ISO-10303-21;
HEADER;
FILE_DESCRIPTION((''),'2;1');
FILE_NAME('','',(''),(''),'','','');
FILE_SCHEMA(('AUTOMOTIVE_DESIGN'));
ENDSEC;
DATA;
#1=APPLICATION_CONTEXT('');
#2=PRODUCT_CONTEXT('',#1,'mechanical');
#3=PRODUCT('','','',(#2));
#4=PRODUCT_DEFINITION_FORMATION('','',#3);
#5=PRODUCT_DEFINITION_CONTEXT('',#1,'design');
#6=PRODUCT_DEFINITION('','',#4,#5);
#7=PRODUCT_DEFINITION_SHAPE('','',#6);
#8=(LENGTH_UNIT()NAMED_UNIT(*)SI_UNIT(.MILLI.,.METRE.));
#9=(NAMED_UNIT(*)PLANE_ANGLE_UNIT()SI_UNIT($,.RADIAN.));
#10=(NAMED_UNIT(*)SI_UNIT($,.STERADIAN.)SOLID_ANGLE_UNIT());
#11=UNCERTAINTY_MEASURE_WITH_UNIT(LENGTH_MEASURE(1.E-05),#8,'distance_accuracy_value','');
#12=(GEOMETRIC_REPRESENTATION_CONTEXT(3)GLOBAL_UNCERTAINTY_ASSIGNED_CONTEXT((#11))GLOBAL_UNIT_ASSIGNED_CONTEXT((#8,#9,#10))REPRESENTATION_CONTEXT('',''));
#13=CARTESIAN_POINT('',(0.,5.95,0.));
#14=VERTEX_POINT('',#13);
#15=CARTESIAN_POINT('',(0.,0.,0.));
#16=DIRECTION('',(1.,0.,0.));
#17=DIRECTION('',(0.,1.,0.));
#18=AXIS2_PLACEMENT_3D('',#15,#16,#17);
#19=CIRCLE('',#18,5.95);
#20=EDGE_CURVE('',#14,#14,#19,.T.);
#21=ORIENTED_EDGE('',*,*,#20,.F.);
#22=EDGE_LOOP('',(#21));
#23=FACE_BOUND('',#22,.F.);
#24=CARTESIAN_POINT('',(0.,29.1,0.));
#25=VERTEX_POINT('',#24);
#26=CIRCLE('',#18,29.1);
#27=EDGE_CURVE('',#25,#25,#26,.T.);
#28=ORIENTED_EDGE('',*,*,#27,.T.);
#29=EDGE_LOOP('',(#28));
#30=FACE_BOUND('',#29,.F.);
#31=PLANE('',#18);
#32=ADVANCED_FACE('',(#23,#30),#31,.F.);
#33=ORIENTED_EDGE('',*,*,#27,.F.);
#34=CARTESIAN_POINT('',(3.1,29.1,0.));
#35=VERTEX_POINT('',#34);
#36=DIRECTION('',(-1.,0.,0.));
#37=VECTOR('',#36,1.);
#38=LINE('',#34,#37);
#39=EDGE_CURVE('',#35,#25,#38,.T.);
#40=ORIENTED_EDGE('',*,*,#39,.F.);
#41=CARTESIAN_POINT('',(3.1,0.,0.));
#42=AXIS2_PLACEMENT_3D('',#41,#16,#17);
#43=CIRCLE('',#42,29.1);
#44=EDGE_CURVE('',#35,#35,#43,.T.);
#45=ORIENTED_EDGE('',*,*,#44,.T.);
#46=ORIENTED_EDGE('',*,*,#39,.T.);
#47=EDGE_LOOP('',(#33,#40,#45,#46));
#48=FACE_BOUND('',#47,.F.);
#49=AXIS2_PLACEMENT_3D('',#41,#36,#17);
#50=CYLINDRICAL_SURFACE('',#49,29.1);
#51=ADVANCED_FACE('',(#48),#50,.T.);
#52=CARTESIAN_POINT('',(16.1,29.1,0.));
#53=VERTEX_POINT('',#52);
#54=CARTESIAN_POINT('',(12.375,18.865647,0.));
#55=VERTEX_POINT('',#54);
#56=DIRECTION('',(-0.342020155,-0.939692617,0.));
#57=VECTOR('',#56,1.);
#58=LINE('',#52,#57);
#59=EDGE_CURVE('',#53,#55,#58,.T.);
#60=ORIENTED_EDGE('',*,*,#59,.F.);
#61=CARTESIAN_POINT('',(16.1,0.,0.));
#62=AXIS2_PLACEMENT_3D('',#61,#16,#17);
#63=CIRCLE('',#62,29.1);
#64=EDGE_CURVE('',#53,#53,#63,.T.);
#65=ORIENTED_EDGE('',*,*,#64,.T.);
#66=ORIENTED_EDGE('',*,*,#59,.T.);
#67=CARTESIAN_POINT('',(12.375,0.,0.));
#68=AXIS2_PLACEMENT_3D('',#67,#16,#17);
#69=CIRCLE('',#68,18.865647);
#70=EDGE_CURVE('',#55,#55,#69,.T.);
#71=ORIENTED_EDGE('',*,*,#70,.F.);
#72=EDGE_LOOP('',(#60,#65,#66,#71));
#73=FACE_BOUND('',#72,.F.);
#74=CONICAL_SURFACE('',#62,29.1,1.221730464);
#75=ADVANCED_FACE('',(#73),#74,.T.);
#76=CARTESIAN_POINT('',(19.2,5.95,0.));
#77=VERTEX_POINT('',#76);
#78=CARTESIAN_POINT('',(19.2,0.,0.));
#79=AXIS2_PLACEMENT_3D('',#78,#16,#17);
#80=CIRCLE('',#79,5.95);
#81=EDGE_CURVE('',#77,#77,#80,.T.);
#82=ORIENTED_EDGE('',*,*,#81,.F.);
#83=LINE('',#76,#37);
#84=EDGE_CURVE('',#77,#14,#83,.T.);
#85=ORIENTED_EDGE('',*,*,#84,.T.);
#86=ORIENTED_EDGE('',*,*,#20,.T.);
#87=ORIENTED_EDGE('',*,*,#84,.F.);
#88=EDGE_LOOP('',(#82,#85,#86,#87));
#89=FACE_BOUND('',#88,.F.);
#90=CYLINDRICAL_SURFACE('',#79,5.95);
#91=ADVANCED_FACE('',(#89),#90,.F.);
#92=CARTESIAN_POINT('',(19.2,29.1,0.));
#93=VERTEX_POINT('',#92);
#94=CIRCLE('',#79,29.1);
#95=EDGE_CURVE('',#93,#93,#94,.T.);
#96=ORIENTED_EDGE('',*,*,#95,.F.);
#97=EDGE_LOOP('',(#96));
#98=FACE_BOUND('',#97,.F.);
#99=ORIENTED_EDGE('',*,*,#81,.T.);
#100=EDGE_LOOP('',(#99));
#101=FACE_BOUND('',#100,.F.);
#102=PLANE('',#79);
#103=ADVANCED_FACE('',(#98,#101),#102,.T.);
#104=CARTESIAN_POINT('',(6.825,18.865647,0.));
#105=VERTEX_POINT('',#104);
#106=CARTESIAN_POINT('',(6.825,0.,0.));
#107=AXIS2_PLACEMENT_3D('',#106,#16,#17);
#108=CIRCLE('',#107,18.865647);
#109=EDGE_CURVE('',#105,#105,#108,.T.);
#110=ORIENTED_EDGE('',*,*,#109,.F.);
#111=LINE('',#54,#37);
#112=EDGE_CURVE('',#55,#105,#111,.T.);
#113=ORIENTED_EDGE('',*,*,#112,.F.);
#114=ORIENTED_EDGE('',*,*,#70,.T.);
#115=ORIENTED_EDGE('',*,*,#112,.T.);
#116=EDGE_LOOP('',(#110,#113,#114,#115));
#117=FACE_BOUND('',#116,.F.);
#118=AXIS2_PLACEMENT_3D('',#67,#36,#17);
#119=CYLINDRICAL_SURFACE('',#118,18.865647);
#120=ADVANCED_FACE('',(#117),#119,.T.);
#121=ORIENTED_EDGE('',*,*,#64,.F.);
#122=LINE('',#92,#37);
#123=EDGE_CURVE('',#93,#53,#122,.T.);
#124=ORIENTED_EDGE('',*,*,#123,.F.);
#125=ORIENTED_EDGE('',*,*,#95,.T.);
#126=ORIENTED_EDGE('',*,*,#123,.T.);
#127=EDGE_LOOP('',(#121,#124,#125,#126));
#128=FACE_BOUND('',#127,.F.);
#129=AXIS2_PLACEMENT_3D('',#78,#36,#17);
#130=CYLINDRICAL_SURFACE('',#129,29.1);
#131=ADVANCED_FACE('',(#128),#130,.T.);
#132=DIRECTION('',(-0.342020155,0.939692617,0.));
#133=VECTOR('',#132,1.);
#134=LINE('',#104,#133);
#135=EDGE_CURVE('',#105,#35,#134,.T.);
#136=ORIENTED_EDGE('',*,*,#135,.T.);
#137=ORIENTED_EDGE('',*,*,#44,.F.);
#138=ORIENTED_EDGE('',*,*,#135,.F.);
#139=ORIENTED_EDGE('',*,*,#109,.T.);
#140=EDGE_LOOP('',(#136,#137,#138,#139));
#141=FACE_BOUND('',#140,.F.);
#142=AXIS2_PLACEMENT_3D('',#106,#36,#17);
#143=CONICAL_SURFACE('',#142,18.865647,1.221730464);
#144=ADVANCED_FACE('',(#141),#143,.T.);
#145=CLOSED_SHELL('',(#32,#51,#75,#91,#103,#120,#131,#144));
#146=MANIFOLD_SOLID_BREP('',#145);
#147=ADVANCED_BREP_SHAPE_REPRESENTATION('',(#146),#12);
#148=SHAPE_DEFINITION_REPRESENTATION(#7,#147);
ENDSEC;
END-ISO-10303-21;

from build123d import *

# Parameters (mm, degrees)
F2_R     = 5.95
F3_DEPTH = 19.201


with BuildPart() as f1:
    # F0 (on Top) → F1 (revolve)
    with BuildSketch(Plane.XY):
        Polygon((0, 29.1), (0, 0), (19.2, 0), (19.2, 29.1), (16.1, 29.1), (12.375, 18.865647), (6.825, 18.865647), (3.1, 29.1), align=None)
    revolve(axis=Axis((9.6, 0, 0), (1, 0, 0)))

    # F2 (on face) → F3 (cut, through all)
    with BuildSketch(Plane.YZ.offset(19.2)):
        Circle(F2_R)
    extrude(amount=-F3_DEPTH, mode=Mode.SUBTRACT)


solid = f1.part
